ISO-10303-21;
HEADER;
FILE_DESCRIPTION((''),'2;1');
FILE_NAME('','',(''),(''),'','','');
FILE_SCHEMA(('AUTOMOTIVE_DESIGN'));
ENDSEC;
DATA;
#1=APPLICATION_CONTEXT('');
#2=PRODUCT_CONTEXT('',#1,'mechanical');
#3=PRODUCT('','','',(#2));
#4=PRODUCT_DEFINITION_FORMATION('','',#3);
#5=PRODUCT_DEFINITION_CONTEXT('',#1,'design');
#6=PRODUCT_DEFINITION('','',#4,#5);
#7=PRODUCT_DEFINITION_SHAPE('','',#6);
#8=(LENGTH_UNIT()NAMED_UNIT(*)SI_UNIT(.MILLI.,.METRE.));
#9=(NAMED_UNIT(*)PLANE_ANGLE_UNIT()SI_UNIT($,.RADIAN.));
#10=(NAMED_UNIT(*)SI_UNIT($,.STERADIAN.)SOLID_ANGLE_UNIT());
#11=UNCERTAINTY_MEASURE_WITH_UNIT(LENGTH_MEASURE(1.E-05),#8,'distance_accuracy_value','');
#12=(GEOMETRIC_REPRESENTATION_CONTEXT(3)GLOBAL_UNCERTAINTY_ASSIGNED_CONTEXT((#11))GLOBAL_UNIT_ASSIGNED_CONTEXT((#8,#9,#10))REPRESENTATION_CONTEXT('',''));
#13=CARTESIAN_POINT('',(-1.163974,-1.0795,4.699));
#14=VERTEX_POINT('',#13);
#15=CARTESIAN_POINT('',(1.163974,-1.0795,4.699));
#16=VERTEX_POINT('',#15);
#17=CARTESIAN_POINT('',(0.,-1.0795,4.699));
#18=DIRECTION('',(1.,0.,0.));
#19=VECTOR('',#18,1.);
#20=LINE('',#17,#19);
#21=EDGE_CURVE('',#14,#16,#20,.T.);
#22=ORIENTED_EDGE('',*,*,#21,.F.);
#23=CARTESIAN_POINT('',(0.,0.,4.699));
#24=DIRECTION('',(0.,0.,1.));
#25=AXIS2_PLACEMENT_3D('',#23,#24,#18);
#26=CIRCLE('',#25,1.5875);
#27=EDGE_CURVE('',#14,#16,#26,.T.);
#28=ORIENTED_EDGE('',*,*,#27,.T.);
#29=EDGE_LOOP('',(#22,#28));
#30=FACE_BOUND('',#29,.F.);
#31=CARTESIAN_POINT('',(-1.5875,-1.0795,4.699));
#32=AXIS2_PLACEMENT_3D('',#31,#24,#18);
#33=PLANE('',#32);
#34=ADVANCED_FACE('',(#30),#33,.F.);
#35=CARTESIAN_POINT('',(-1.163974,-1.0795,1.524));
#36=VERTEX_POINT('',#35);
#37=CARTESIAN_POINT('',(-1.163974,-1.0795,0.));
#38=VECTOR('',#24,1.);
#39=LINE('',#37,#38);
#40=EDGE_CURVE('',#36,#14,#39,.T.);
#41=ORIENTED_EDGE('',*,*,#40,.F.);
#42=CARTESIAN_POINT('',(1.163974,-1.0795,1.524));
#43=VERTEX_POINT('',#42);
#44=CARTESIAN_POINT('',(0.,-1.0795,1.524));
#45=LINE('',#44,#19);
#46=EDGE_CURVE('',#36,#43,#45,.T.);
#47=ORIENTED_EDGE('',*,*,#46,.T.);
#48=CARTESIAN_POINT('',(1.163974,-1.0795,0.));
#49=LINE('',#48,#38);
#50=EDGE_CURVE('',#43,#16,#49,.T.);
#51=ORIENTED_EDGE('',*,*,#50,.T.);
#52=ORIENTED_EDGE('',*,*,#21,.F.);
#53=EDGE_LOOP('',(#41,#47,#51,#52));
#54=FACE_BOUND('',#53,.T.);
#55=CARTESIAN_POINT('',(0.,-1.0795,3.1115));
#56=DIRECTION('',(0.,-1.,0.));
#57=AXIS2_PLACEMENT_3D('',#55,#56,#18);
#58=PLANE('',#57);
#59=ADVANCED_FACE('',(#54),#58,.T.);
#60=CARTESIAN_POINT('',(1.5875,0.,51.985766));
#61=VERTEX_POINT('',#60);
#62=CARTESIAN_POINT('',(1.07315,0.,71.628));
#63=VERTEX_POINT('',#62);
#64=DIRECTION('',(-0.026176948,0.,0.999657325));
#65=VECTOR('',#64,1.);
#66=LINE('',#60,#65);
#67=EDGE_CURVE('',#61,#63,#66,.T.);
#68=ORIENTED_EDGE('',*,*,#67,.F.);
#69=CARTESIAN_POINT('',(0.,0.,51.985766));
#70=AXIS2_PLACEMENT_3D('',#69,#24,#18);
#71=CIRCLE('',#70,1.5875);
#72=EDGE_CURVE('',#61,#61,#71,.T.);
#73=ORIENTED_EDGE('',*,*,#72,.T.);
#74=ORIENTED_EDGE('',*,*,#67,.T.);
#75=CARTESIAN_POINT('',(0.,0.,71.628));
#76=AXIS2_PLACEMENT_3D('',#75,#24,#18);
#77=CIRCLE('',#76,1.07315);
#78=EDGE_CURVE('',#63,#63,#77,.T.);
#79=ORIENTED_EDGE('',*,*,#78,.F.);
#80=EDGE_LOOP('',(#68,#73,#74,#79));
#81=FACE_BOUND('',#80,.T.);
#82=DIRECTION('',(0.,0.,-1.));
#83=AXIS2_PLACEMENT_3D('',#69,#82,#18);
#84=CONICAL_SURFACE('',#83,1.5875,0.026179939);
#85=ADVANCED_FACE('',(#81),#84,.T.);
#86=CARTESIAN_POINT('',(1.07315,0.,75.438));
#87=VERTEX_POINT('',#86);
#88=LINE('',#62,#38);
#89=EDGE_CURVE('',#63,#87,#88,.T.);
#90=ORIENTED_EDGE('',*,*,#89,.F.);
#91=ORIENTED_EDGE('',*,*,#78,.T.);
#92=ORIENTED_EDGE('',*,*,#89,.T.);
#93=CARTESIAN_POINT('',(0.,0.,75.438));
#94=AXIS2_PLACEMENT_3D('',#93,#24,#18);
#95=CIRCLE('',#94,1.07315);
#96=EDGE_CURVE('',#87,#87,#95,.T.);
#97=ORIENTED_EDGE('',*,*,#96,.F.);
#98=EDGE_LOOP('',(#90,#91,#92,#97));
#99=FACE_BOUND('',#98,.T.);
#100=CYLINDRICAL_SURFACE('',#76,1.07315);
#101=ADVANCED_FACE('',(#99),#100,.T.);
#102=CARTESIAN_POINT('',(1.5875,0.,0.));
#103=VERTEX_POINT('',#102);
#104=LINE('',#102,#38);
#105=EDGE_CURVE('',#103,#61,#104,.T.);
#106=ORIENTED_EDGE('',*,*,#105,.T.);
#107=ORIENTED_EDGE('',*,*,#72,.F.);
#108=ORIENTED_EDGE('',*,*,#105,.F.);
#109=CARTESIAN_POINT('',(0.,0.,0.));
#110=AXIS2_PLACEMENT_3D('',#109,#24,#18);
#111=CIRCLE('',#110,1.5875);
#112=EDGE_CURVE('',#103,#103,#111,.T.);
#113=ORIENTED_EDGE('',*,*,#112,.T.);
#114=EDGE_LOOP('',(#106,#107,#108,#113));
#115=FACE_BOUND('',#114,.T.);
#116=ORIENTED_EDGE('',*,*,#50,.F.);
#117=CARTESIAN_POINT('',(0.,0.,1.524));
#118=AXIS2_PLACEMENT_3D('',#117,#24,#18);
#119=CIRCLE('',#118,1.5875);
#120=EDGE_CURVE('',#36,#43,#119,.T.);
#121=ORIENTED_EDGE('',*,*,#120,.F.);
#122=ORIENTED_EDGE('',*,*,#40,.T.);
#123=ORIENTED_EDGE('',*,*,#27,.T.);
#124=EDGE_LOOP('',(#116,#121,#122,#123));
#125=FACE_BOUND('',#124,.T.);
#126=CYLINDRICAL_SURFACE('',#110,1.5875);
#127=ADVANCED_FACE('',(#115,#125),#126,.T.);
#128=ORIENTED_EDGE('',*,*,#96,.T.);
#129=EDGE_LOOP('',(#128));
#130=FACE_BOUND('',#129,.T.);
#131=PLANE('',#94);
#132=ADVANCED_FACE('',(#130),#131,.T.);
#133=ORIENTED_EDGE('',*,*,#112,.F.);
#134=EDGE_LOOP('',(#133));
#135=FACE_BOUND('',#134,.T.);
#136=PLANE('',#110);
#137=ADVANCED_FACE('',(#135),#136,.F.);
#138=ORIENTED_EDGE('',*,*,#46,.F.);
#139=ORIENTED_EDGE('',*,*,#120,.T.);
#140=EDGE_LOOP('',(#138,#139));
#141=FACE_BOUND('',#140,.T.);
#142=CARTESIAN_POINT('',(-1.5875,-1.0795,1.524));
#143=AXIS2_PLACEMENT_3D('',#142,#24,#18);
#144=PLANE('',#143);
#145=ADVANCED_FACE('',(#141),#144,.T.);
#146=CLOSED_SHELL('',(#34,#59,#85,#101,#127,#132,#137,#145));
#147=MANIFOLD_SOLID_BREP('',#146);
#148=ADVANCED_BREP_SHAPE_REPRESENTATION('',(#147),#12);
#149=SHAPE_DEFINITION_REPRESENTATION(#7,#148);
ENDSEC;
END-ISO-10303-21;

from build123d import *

# Parameters (mm, degrees)
F3_W     = 3.175
F3_H     = 3.175
F4_DEPTH = 1.27


with BuildPart() as f1:
    # F0 (on Front) → F1 (revolve)
    with BuildSketch(Plane.XZ):
        Polygon((0, 75.438), (0, 0), (1.5875, 0), (1.5875, 51.985766), (1.07315, 71.628), (1.07315, 75.438), align=None)
    revolve(axis=Axis((0, 0, 37.719), (0, 0, 1)))

    # F3 (on offset) → F4 (cut)
    with BuildSketch(Plane.XZ.offset(1.0795)):
        with Locations((0, 3.1115)):
            Rectangle(F3_W, F3_H)
    extrude(amount=F4_DEPTH, mode=Mode.SUBTRACT)


solid = f1.part
